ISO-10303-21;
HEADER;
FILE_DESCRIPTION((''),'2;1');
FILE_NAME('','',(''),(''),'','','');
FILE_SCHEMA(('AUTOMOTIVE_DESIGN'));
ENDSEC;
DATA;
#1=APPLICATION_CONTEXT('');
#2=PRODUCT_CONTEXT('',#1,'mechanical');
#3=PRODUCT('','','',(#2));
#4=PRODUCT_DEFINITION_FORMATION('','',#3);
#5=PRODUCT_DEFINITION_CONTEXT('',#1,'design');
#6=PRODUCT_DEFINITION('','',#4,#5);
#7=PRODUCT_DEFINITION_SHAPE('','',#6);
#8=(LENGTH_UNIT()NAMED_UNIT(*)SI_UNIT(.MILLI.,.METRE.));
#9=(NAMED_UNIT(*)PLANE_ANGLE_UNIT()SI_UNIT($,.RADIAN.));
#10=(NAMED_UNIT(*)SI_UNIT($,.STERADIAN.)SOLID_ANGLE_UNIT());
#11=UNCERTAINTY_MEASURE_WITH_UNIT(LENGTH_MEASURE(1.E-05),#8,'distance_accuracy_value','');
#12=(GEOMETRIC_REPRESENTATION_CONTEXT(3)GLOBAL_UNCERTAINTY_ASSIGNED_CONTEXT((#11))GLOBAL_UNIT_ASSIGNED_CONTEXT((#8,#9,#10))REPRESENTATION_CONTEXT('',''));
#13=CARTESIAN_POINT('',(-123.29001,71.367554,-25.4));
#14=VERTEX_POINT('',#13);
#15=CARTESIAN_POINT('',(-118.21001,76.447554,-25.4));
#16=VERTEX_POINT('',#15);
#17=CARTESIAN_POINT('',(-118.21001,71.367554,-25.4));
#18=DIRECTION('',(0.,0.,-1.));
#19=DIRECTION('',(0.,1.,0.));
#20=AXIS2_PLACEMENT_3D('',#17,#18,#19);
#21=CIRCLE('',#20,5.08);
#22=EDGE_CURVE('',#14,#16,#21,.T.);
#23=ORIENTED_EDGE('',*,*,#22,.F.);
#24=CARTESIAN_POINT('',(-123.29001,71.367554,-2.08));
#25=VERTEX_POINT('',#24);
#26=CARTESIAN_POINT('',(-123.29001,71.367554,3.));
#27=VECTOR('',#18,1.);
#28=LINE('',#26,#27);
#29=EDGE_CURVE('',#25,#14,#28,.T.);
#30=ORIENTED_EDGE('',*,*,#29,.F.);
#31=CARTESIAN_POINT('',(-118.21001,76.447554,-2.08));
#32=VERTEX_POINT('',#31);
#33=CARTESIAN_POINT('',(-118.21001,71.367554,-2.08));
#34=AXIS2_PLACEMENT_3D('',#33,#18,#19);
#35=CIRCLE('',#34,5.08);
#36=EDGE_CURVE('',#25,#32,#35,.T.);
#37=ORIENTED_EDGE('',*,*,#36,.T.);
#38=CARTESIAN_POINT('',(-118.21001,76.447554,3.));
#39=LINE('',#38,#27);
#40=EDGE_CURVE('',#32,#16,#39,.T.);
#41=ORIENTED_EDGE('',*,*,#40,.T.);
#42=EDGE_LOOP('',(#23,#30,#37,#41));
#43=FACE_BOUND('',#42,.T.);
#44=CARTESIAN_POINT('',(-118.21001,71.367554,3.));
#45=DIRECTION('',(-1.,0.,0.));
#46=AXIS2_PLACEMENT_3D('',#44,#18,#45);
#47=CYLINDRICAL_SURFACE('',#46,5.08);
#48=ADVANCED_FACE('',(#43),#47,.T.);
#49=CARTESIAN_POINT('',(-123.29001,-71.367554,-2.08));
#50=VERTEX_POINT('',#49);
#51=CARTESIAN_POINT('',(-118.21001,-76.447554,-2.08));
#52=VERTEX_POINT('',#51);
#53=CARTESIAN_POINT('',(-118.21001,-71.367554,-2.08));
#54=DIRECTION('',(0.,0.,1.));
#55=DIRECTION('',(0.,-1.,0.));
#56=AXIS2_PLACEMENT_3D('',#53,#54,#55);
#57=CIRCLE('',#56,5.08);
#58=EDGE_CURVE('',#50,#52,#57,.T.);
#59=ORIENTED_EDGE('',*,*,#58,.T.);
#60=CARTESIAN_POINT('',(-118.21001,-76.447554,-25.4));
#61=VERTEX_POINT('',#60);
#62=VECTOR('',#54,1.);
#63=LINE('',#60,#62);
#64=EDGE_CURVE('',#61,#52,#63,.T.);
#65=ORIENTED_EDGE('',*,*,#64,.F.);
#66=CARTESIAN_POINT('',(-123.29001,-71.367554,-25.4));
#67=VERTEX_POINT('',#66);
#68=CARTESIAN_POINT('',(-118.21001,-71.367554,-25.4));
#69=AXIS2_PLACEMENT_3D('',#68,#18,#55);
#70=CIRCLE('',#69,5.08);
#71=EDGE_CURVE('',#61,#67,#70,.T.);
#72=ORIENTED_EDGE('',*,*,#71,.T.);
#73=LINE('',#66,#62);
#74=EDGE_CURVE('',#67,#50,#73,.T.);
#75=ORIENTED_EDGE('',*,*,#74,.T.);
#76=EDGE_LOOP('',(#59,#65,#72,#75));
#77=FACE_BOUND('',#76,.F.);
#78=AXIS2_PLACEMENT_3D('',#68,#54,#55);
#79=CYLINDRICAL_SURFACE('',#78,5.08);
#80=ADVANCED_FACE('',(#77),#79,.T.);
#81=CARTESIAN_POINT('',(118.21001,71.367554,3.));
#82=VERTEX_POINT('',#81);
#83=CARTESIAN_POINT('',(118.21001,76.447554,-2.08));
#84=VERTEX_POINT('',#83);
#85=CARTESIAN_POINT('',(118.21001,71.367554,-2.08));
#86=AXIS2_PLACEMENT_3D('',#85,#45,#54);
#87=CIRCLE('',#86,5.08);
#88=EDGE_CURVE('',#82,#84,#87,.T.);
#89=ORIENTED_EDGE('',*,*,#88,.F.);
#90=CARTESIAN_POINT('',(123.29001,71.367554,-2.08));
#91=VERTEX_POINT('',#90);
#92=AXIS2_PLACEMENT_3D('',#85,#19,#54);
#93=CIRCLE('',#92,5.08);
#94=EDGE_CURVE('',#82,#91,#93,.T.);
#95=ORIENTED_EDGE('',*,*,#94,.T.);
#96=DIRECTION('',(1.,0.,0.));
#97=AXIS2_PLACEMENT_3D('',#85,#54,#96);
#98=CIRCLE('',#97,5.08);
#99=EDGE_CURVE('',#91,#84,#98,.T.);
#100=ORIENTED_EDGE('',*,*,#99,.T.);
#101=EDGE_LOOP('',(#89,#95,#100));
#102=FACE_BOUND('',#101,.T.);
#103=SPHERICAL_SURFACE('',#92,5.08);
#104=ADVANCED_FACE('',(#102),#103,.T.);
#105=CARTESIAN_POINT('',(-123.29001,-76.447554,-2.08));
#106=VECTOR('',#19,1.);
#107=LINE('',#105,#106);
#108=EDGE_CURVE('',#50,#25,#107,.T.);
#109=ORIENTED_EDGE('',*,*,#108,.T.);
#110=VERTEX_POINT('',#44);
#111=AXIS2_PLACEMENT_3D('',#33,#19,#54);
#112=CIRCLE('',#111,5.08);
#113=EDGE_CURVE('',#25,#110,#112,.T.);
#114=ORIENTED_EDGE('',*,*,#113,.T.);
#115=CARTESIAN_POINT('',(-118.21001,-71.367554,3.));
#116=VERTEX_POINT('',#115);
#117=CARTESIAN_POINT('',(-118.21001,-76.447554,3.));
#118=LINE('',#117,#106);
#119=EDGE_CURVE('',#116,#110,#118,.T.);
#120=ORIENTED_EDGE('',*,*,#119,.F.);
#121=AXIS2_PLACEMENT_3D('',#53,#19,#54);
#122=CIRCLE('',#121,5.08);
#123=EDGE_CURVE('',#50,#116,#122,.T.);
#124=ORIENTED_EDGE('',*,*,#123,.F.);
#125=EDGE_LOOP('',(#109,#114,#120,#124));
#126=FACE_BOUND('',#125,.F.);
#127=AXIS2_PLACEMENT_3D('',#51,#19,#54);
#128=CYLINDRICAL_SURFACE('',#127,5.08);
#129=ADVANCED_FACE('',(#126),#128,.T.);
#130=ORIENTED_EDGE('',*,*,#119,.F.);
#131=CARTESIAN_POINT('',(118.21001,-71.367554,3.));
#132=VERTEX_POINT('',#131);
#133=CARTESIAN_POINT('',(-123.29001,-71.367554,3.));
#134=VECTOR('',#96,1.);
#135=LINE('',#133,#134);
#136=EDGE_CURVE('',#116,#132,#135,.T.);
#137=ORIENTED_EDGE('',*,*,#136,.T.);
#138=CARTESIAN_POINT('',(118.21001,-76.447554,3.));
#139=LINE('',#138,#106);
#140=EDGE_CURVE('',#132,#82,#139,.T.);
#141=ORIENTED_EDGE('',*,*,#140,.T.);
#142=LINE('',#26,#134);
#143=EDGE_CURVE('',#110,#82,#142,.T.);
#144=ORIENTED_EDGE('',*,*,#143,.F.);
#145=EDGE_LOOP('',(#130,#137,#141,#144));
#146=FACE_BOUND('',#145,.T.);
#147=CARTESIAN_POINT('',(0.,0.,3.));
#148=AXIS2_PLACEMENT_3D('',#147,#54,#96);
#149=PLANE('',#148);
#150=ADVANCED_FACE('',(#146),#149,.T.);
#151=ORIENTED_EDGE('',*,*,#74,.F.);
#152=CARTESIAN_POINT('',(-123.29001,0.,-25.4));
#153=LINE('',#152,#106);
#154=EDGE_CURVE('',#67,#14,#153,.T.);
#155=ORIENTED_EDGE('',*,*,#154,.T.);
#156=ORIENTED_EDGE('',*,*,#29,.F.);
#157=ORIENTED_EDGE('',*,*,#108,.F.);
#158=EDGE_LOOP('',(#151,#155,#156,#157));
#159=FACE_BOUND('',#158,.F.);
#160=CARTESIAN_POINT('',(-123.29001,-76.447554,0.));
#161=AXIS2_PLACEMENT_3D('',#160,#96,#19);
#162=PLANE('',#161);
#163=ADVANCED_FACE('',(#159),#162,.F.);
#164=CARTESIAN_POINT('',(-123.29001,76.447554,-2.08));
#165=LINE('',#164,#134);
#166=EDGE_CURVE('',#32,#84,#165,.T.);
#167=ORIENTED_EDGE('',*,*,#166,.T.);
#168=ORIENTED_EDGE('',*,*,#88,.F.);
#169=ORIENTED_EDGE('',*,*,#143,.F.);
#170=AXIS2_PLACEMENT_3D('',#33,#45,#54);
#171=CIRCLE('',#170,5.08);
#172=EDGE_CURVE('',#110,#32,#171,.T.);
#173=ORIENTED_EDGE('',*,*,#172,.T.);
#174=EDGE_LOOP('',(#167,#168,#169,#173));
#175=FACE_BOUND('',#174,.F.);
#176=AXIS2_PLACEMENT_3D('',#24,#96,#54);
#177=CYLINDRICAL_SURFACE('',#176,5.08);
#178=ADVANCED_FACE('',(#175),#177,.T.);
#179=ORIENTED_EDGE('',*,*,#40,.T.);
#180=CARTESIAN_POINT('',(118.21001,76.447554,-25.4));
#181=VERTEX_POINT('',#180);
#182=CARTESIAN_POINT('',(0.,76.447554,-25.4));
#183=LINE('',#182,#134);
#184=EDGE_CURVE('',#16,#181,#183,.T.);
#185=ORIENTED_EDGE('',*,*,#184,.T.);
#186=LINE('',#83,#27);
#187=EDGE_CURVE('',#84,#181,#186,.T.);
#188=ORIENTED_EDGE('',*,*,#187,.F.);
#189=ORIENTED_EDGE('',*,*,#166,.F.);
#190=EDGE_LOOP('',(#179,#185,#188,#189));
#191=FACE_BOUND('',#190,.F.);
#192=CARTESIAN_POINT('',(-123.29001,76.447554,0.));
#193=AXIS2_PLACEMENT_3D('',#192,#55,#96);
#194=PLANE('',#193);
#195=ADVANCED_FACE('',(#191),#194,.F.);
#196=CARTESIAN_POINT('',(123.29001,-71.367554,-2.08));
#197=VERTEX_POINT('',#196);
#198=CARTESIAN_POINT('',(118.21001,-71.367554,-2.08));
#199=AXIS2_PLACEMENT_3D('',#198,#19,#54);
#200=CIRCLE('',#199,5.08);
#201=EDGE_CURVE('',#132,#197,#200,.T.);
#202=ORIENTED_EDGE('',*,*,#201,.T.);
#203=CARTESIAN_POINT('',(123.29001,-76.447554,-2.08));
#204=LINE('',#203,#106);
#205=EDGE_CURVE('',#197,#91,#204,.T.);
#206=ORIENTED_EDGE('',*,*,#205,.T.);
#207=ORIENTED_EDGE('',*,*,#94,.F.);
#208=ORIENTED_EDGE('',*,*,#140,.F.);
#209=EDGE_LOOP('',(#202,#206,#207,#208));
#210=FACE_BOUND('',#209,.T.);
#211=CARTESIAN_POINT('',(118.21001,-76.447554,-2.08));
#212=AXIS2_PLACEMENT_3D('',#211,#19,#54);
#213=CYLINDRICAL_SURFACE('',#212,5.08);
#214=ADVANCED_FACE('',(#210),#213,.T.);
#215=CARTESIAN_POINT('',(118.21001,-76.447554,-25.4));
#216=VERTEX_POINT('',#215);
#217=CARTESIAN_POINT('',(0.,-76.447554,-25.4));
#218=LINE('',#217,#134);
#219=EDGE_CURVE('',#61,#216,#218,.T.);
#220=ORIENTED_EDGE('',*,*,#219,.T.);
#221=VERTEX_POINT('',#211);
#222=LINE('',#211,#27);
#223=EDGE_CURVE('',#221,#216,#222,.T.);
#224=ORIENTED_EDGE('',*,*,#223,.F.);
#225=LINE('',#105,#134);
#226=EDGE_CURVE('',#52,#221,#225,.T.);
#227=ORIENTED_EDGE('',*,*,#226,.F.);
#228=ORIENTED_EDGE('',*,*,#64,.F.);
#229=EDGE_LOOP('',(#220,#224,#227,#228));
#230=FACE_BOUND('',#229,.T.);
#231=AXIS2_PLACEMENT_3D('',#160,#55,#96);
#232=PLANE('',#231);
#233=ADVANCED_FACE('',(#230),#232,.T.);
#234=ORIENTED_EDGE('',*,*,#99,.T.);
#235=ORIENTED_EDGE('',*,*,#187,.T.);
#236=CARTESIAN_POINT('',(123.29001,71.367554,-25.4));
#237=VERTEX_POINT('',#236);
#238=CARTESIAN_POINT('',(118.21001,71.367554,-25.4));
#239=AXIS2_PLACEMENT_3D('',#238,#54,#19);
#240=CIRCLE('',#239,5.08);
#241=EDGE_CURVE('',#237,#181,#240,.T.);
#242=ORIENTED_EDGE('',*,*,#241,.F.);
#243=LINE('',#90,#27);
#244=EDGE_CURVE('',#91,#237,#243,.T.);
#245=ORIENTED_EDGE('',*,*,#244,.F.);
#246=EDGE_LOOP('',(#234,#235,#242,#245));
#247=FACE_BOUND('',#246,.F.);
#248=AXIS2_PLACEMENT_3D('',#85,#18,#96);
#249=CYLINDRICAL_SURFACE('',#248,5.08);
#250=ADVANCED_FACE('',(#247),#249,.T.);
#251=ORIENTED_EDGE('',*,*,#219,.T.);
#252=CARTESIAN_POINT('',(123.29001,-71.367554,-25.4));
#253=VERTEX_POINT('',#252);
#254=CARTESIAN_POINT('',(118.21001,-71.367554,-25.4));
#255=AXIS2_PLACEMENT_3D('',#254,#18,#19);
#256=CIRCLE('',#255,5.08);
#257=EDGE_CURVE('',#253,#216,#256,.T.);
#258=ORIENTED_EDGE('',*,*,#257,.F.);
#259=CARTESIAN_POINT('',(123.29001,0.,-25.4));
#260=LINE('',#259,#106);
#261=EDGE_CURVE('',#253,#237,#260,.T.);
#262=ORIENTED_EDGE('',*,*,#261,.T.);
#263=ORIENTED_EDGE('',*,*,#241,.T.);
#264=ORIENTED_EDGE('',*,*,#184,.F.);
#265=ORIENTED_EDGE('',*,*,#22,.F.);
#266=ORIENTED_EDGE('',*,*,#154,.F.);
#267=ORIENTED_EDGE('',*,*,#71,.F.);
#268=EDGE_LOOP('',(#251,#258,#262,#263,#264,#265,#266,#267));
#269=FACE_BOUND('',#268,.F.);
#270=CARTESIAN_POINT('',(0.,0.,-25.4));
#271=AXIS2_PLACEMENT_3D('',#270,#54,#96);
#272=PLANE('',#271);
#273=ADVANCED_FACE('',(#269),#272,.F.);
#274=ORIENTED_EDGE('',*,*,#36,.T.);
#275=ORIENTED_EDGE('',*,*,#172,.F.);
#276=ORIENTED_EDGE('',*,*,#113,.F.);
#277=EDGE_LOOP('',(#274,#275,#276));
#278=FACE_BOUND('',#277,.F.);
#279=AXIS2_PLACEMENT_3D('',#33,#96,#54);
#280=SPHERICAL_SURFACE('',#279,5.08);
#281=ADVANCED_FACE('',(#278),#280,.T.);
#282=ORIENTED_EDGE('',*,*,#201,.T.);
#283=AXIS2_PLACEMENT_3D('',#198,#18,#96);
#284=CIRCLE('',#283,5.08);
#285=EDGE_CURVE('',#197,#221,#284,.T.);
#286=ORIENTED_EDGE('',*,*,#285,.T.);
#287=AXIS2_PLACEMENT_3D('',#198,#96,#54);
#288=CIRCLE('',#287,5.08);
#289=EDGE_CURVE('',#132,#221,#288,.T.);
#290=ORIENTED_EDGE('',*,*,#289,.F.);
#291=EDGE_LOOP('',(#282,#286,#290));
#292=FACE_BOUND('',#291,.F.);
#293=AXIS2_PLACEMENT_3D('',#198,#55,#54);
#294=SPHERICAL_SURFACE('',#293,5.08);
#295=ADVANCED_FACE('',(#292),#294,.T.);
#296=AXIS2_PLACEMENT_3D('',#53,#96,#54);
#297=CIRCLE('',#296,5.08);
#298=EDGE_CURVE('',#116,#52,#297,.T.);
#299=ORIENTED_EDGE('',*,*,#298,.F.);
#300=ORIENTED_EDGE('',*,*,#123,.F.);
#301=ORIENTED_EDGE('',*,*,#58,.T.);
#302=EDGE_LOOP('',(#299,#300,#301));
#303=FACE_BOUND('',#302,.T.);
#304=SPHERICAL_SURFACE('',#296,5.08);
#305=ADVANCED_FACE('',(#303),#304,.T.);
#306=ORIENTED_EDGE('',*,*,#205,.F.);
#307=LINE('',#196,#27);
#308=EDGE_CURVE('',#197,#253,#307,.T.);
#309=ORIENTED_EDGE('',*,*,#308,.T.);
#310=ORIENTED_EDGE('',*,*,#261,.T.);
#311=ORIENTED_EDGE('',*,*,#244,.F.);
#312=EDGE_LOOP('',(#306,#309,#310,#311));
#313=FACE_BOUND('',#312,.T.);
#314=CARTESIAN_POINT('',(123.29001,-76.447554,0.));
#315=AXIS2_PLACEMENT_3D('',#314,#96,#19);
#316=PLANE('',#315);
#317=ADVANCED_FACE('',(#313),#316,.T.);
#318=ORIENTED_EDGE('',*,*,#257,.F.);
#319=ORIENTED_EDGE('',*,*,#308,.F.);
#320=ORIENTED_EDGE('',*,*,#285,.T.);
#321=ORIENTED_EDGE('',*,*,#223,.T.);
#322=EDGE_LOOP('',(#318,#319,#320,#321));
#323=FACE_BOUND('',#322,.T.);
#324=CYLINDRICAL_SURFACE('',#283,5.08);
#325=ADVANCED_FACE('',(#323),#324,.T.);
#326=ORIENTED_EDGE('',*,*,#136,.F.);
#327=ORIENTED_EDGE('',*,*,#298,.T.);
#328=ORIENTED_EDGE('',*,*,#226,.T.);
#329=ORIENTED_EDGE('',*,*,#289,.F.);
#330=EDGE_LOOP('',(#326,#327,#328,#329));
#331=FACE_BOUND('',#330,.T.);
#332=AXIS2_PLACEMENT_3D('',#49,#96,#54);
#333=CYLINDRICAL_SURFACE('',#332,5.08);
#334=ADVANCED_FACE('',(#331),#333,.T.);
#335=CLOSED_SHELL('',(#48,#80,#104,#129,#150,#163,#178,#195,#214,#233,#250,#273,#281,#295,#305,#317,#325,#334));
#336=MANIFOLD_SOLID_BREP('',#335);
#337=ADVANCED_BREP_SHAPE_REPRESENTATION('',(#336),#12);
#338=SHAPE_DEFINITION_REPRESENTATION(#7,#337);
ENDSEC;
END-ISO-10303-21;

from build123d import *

# Parameters (mm, degrees)
F0_W          = 246.58002
F0_H          = 152.895108
F1_DEPTH      = 3
F1_DEPTH_BACK = 25.4
F2_R          = 5.08
F3_R          = 5.08


with BuildPart() as f1:
    # F0 (on Top) → F1 (new body, two sides)
    with BuildSketch(Plane.XY) as f1_sk:
        Rectangle(F0_W, F0_H)
    extrude(amount=F1_DEPTH)
    extrude(f1_sk.sketch, amount=-F1_DEPTH_BACK)

    # F2
    f2_edges = [f1.edges().sort_by_distance(p)[0] for p in [
        (123.29001, 0, 3),
    ]]
    fillet(f2_edges, radius=F2_R)

    # F3
    f3_edges = [f1.edges().sort_by_distance(p)[0] for p in [
        (-2.54, -76.447554, 3),
        (-2.54, 76.447554, 3),
        (-123.29001, 0, 3),
        (123.29001, -76.447554, -13.74),
        (123.29001, 76.447554, -13.74),
        (-123.29001, -76.447554, -11.2),
        (-123.29001, 76.447554, -11.2),
    ]]
    fillet(f3_edges, radius=F3_R)


solid = f1.part
